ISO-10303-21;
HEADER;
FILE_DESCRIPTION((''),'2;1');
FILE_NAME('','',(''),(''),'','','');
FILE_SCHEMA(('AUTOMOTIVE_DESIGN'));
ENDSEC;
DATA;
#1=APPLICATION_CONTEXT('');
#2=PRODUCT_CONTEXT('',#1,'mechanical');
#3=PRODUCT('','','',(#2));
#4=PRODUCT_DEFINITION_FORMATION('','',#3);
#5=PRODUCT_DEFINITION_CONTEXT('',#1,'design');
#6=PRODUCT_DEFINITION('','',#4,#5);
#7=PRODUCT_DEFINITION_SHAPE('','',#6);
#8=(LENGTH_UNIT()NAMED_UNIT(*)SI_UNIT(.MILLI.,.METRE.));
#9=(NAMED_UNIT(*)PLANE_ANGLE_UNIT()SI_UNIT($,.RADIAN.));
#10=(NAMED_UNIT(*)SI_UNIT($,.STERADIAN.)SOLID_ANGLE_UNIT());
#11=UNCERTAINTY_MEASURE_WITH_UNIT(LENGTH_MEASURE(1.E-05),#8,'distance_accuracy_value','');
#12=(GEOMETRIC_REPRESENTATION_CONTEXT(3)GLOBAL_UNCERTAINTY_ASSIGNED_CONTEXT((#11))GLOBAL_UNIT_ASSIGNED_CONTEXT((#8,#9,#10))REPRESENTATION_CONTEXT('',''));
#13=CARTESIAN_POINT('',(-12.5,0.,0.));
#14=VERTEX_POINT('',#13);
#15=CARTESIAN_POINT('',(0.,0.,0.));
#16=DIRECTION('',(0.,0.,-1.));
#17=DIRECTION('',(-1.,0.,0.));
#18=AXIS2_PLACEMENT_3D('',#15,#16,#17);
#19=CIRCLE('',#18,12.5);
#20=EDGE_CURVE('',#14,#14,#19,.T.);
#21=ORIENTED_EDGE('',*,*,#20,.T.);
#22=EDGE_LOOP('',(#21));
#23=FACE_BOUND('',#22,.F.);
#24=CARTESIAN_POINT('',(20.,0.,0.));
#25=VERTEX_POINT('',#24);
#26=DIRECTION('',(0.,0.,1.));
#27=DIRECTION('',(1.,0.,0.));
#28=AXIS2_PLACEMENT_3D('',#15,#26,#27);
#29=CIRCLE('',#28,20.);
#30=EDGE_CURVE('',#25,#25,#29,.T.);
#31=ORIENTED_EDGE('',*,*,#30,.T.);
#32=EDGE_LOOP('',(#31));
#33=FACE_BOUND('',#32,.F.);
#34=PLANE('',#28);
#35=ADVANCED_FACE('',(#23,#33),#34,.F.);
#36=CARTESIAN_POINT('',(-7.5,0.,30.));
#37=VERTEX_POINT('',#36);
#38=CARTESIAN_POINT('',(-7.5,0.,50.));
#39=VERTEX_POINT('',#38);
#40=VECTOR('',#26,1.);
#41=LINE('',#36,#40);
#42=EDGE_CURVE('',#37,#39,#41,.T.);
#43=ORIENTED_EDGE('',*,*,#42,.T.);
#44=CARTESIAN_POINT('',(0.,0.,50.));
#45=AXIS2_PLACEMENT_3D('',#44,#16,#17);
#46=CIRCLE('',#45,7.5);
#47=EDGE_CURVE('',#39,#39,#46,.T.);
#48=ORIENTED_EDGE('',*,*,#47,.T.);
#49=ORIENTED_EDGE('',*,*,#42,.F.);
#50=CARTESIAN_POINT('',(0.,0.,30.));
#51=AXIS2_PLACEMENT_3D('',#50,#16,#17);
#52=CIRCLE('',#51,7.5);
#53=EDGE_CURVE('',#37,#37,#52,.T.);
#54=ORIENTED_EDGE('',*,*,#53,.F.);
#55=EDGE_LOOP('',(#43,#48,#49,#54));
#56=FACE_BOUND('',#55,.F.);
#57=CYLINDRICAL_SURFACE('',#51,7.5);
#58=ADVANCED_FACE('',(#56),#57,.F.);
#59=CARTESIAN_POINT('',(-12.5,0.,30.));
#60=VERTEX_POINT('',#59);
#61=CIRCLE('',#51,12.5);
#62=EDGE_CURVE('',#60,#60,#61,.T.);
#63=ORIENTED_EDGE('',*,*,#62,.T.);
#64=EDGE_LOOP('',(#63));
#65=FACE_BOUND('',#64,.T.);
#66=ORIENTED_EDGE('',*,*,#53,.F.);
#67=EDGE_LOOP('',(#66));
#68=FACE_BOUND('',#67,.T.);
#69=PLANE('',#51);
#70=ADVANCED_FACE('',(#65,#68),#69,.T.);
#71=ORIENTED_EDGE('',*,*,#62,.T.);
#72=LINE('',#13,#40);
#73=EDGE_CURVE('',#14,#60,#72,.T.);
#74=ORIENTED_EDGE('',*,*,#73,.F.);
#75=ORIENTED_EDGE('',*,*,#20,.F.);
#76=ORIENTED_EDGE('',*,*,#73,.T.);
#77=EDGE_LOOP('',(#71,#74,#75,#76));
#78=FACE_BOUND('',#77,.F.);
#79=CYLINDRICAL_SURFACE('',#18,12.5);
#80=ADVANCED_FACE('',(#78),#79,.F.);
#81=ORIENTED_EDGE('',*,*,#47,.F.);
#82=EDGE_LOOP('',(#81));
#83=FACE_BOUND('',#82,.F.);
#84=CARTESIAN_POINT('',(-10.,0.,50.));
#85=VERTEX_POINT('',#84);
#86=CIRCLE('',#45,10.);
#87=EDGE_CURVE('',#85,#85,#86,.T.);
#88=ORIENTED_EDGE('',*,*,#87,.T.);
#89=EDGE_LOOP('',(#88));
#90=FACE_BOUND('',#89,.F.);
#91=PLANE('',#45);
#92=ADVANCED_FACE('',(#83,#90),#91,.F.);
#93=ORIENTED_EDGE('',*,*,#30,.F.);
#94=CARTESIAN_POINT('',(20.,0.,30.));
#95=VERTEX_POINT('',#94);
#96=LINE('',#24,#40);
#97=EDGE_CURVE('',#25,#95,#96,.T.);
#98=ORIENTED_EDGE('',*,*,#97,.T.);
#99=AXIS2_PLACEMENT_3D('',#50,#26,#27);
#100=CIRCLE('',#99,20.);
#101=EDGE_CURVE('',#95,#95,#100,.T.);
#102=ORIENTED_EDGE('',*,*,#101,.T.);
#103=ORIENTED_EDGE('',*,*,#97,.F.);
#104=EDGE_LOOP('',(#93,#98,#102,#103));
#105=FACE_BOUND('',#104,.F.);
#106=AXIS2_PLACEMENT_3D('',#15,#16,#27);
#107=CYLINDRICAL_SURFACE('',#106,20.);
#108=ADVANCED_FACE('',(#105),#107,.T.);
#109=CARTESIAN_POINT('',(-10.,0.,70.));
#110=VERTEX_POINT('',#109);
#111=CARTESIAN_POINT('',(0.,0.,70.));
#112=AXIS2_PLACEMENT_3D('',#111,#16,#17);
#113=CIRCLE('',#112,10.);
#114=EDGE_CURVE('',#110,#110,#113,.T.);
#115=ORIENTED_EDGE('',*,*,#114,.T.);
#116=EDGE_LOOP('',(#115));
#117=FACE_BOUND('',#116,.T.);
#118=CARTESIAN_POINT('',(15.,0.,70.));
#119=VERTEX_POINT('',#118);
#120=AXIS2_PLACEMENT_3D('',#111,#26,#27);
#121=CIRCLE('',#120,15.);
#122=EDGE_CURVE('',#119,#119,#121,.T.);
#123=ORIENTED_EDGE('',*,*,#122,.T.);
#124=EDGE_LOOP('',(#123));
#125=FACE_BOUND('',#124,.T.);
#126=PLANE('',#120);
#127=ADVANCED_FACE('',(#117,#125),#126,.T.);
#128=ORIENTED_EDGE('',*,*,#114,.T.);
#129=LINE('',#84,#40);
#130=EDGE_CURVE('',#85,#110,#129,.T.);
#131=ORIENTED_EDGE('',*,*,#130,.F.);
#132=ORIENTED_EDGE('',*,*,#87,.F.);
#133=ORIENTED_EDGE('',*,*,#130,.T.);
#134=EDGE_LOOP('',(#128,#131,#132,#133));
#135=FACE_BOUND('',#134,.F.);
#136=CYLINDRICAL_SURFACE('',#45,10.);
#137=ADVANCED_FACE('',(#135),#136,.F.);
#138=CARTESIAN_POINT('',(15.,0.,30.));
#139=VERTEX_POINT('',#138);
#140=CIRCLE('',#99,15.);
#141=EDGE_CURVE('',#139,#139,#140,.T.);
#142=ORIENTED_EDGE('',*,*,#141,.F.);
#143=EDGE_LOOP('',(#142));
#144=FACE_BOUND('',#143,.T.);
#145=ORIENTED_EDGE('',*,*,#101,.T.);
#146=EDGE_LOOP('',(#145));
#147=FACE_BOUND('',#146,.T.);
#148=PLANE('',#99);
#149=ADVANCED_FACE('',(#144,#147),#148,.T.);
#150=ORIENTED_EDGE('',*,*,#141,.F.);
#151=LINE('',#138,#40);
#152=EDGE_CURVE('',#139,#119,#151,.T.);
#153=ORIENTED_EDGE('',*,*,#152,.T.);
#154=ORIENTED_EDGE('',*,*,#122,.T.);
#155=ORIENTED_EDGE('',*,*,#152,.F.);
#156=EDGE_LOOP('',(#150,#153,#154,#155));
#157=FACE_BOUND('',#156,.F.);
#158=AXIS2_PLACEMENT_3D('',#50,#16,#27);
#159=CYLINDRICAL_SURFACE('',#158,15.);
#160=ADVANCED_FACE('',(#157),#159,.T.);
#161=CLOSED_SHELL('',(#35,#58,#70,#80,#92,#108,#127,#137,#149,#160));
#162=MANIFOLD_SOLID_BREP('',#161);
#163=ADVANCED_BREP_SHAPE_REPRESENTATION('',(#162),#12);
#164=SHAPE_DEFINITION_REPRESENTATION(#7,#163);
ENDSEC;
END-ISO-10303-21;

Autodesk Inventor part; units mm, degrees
ref_plane "YZ Plane" through (0, 0, 0) normal (1, 0, 0) x (0, 1, 0)
ref_plane "XZ Plane" through (0, 0, 0) normal (0, 1, 0) x (-1, 0, 0)
ref_plane "XY Plane" through (0, 0, 0) normal (0, 0, 1) x (1, 0, 0)
sketch "스케치1" plane through (0, 0, 0) normal (0, 0, 1) x (1, 0, 0)
  circle A0 centre (0, 0) radius 20
  dimension "d0" = 40
extrude "돌출1" add sketch "스케치1" along normal blind 30
sketch "스케치2" plane through (0, 0, 30) normal (0, 0, 1) x (1, 0, 0)
  circle A0 centre (0, 0) radius 15
  dimension "d3" = 30
extrude "돌출2" add sketch "스케치2" along normal blind 40
sketch "스케치3" plane through (0, 0, 0) normal (0, 0, -1) x (-1, 0, 0)
  circle A0 centre (0, 0) radius 12.5
  dimension "d6" = 25
extrude "돌출3" cut sketch "스케치3" against normal blind 30
sketch "스케치4" plane through (0, 0, 30) normal (0, 0, -1) x (-1, 0, 0)
  circle A0 centre (0, 0) radius 7.5
  dimension "d9" = 15
extrude "돌출4" cut sketch "스케치4" against normal blind 20
sketch "스케치5" plane through (0, 0, 50) normal (0, 0, -1) x (-1, 0, 0)
  circle A0 centre (0, 0) radius 10
  dimension "d12" = 20
extrude "돌출5" cut sketch "스케치5" against normal up to next
properties part number "기본 투상 연습2"
